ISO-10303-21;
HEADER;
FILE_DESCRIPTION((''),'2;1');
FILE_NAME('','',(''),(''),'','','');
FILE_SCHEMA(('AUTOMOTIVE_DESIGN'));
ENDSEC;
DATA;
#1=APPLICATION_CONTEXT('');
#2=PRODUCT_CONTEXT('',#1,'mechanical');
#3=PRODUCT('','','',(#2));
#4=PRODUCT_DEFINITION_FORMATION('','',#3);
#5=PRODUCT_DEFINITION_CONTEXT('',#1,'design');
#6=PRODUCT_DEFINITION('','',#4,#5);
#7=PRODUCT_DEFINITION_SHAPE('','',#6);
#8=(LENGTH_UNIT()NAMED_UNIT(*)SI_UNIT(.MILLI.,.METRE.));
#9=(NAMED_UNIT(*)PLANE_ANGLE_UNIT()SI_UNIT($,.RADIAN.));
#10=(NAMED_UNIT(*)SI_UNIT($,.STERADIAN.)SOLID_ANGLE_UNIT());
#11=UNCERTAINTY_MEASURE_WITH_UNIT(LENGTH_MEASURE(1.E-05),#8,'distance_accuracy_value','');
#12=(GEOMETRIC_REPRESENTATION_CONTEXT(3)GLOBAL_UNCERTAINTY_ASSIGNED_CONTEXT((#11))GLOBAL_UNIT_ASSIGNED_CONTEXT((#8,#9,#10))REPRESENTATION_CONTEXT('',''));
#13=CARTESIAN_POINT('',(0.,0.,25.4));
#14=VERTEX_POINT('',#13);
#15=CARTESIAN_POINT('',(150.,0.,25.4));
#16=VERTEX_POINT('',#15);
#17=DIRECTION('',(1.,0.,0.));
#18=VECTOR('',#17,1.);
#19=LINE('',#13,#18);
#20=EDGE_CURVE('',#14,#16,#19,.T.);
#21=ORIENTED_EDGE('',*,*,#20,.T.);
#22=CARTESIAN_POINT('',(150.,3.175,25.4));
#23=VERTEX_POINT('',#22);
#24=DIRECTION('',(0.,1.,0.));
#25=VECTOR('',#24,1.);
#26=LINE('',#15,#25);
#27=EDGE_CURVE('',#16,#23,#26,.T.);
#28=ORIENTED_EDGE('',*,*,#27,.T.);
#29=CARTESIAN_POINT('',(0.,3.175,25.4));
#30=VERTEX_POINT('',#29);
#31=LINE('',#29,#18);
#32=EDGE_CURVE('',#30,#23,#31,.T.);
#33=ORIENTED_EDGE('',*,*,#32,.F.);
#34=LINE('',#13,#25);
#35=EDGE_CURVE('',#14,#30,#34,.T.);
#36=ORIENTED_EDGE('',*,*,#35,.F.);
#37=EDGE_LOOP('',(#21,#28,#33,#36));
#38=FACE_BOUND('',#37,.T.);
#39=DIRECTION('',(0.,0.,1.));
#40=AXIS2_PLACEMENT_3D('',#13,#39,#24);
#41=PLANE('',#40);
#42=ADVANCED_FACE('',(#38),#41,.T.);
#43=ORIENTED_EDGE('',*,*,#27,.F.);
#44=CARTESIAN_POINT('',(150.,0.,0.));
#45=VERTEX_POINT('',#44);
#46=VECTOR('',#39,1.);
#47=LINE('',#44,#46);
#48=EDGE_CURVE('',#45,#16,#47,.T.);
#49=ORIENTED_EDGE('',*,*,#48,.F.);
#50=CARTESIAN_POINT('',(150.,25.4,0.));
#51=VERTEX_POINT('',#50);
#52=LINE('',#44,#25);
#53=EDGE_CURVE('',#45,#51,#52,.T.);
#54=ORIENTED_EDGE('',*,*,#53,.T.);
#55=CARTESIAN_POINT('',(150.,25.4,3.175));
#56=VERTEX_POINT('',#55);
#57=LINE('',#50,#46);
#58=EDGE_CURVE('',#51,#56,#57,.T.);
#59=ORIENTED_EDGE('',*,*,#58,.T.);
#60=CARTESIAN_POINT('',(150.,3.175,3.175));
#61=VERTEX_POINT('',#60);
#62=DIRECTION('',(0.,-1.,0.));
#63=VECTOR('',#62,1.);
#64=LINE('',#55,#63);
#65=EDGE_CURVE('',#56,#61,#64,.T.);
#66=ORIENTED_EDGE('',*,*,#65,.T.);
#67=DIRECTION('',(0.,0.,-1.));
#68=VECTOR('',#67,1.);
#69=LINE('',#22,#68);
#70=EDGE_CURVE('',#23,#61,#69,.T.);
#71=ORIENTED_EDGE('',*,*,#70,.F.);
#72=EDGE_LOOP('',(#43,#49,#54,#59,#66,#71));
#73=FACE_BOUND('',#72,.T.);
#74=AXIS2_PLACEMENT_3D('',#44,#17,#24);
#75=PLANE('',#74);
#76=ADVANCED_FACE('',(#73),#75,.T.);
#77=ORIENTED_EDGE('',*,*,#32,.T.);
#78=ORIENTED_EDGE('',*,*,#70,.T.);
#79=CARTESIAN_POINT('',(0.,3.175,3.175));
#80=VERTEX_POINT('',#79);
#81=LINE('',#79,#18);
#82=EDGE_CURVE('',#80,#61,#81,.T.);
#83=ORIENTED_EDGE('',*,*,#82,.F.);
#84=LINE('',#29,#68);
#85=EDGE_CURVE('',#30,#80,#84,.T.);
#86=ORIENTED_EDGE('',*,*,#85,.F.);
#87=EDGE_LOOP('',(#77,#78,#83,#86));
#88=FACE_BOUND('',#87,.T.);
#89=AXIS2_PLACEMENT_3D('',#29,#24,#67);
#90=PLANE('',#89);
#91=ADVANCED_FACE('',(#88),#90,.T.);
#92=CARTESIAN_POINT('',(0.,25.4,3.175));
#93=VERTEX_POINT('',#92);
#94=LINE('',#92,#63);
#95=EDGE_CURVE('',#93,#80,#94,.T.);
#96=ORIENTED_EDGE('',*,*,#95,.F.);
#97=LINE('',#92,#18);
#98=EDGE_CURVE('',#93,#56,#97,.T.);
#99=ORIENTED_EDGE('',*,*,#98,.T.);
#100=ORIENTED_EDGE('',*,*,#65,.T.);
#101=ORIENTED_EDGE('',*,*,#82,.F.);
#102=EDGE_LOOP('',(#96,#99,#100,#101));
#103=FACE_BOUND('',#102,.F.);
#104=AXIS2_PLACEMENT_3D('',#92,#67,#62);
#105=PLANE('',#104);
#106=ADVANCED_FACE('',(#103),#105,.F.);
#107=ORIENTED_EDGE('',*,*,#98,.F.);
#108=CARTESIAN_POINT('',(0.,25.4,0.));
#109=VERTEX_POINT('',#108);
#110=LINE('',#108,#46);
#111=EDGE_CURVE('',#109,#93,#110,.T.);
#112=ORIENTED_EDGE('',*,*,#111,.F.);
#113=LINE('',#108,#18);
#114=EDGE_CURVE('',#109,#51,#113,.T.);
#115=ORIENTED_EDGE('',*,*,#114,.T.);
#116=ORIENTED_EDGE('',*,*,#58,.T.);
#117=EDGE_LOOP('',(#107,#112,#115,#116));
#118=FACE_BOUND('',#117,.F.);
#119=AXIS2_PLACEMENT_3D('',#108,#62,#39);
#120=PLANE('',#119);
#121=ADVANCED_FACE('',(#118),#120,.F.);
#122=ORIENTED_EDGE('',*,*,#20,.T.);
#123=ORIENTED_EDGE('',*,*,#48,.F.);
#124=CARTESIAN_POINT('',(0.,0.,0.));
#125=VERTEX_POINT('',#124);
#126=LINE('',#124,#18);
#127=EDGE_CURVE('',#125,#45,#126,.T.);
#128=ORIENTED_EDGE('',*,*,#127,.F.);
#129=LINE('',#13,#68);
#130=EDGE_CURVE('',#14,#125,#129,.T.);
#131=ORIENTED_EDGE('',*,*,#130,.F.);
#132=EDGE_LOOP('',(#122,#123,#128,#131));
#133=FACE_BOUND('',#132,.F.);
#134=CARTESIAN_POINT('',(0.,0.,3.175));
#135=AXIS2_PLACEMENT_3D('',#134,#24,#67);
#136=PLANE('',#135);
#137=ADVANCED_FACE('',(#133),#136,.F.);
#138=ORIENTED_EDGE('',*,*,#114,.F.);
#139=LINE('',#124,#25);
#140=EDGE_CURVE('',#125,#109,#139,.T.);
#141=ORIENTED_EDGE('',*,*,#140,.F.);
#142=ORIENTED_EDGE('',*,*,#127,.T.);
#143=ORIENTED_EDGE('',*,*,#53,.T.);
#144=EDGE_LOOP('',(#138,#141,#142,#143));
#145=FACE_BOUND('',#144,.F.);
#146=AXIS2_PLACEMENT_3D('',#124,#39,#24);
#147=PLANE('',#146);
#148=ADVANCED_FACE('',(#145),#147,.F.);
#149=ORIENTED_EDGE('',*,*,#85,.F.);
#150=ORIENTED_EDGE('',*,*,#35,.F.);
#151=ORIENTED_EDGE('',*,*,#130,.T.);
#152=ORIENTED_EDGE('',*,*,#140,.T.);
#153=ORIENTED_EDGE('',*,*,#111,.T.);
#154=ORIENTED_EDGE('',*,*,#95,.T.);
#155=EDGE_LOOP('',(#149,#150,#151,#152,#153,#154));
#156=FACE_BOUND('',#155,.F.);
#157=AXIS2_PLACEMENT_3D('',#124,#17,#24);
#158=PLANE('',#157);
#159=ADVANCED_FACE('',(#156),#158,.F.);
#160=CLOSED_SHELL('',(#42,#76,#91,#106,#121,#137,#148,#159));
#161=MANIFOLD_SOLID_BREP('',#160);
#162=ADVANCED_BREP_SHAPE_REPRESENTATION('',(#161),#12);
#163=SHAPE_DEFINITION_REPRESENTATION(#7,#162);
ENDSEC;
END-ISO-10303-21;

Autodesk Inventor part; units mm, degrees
ref_plane "YZ Plane" through (0, 0, 0) normal (1, 0, 0) x (0, 1, 0)
ref_plane "XZ Plane" through (0, 0, 0) normal (0, 1, 0) x (-1, 0, 0)
ref_plane "XY Plane" through (0, 0, 0) normal (0, 0, 1) x (1, 0, 0)
sketch "Sketch1" plane through (0, 0, 0) normal (1, 0, 0) x (0, 1, 0)
  line L0 (0, 0) -> (25.4, 0)
  line L1 (25.4, 0) -> (25.4, 3.175)
  line L2 (25.4, 3.175) -> (0, 3.175)
  line L3 (0, 3.175) -> (0, 0)
  line L4 (0, 0) -> (0, 25.4)
  line L5 (0, 25.4) -> (3.175, 25.4)
  line L6 (3.175, 25.4) -> (3.175, 3.175)
  point P0 (3.175, 3.175)
  dimension "d0" = 25.4
  dimension "d1" = 3.175
  dimension "d2" = 25.4
  dimension "d3" = 25.4
  dimension "d4" = 3.175
  dimension "d5" = 90
extrude "Extrusion1" add sketch "Sketch1" along normal blind 150
properties part number "SOPORTE LATERAL DE GUIA CILINDRICA"
